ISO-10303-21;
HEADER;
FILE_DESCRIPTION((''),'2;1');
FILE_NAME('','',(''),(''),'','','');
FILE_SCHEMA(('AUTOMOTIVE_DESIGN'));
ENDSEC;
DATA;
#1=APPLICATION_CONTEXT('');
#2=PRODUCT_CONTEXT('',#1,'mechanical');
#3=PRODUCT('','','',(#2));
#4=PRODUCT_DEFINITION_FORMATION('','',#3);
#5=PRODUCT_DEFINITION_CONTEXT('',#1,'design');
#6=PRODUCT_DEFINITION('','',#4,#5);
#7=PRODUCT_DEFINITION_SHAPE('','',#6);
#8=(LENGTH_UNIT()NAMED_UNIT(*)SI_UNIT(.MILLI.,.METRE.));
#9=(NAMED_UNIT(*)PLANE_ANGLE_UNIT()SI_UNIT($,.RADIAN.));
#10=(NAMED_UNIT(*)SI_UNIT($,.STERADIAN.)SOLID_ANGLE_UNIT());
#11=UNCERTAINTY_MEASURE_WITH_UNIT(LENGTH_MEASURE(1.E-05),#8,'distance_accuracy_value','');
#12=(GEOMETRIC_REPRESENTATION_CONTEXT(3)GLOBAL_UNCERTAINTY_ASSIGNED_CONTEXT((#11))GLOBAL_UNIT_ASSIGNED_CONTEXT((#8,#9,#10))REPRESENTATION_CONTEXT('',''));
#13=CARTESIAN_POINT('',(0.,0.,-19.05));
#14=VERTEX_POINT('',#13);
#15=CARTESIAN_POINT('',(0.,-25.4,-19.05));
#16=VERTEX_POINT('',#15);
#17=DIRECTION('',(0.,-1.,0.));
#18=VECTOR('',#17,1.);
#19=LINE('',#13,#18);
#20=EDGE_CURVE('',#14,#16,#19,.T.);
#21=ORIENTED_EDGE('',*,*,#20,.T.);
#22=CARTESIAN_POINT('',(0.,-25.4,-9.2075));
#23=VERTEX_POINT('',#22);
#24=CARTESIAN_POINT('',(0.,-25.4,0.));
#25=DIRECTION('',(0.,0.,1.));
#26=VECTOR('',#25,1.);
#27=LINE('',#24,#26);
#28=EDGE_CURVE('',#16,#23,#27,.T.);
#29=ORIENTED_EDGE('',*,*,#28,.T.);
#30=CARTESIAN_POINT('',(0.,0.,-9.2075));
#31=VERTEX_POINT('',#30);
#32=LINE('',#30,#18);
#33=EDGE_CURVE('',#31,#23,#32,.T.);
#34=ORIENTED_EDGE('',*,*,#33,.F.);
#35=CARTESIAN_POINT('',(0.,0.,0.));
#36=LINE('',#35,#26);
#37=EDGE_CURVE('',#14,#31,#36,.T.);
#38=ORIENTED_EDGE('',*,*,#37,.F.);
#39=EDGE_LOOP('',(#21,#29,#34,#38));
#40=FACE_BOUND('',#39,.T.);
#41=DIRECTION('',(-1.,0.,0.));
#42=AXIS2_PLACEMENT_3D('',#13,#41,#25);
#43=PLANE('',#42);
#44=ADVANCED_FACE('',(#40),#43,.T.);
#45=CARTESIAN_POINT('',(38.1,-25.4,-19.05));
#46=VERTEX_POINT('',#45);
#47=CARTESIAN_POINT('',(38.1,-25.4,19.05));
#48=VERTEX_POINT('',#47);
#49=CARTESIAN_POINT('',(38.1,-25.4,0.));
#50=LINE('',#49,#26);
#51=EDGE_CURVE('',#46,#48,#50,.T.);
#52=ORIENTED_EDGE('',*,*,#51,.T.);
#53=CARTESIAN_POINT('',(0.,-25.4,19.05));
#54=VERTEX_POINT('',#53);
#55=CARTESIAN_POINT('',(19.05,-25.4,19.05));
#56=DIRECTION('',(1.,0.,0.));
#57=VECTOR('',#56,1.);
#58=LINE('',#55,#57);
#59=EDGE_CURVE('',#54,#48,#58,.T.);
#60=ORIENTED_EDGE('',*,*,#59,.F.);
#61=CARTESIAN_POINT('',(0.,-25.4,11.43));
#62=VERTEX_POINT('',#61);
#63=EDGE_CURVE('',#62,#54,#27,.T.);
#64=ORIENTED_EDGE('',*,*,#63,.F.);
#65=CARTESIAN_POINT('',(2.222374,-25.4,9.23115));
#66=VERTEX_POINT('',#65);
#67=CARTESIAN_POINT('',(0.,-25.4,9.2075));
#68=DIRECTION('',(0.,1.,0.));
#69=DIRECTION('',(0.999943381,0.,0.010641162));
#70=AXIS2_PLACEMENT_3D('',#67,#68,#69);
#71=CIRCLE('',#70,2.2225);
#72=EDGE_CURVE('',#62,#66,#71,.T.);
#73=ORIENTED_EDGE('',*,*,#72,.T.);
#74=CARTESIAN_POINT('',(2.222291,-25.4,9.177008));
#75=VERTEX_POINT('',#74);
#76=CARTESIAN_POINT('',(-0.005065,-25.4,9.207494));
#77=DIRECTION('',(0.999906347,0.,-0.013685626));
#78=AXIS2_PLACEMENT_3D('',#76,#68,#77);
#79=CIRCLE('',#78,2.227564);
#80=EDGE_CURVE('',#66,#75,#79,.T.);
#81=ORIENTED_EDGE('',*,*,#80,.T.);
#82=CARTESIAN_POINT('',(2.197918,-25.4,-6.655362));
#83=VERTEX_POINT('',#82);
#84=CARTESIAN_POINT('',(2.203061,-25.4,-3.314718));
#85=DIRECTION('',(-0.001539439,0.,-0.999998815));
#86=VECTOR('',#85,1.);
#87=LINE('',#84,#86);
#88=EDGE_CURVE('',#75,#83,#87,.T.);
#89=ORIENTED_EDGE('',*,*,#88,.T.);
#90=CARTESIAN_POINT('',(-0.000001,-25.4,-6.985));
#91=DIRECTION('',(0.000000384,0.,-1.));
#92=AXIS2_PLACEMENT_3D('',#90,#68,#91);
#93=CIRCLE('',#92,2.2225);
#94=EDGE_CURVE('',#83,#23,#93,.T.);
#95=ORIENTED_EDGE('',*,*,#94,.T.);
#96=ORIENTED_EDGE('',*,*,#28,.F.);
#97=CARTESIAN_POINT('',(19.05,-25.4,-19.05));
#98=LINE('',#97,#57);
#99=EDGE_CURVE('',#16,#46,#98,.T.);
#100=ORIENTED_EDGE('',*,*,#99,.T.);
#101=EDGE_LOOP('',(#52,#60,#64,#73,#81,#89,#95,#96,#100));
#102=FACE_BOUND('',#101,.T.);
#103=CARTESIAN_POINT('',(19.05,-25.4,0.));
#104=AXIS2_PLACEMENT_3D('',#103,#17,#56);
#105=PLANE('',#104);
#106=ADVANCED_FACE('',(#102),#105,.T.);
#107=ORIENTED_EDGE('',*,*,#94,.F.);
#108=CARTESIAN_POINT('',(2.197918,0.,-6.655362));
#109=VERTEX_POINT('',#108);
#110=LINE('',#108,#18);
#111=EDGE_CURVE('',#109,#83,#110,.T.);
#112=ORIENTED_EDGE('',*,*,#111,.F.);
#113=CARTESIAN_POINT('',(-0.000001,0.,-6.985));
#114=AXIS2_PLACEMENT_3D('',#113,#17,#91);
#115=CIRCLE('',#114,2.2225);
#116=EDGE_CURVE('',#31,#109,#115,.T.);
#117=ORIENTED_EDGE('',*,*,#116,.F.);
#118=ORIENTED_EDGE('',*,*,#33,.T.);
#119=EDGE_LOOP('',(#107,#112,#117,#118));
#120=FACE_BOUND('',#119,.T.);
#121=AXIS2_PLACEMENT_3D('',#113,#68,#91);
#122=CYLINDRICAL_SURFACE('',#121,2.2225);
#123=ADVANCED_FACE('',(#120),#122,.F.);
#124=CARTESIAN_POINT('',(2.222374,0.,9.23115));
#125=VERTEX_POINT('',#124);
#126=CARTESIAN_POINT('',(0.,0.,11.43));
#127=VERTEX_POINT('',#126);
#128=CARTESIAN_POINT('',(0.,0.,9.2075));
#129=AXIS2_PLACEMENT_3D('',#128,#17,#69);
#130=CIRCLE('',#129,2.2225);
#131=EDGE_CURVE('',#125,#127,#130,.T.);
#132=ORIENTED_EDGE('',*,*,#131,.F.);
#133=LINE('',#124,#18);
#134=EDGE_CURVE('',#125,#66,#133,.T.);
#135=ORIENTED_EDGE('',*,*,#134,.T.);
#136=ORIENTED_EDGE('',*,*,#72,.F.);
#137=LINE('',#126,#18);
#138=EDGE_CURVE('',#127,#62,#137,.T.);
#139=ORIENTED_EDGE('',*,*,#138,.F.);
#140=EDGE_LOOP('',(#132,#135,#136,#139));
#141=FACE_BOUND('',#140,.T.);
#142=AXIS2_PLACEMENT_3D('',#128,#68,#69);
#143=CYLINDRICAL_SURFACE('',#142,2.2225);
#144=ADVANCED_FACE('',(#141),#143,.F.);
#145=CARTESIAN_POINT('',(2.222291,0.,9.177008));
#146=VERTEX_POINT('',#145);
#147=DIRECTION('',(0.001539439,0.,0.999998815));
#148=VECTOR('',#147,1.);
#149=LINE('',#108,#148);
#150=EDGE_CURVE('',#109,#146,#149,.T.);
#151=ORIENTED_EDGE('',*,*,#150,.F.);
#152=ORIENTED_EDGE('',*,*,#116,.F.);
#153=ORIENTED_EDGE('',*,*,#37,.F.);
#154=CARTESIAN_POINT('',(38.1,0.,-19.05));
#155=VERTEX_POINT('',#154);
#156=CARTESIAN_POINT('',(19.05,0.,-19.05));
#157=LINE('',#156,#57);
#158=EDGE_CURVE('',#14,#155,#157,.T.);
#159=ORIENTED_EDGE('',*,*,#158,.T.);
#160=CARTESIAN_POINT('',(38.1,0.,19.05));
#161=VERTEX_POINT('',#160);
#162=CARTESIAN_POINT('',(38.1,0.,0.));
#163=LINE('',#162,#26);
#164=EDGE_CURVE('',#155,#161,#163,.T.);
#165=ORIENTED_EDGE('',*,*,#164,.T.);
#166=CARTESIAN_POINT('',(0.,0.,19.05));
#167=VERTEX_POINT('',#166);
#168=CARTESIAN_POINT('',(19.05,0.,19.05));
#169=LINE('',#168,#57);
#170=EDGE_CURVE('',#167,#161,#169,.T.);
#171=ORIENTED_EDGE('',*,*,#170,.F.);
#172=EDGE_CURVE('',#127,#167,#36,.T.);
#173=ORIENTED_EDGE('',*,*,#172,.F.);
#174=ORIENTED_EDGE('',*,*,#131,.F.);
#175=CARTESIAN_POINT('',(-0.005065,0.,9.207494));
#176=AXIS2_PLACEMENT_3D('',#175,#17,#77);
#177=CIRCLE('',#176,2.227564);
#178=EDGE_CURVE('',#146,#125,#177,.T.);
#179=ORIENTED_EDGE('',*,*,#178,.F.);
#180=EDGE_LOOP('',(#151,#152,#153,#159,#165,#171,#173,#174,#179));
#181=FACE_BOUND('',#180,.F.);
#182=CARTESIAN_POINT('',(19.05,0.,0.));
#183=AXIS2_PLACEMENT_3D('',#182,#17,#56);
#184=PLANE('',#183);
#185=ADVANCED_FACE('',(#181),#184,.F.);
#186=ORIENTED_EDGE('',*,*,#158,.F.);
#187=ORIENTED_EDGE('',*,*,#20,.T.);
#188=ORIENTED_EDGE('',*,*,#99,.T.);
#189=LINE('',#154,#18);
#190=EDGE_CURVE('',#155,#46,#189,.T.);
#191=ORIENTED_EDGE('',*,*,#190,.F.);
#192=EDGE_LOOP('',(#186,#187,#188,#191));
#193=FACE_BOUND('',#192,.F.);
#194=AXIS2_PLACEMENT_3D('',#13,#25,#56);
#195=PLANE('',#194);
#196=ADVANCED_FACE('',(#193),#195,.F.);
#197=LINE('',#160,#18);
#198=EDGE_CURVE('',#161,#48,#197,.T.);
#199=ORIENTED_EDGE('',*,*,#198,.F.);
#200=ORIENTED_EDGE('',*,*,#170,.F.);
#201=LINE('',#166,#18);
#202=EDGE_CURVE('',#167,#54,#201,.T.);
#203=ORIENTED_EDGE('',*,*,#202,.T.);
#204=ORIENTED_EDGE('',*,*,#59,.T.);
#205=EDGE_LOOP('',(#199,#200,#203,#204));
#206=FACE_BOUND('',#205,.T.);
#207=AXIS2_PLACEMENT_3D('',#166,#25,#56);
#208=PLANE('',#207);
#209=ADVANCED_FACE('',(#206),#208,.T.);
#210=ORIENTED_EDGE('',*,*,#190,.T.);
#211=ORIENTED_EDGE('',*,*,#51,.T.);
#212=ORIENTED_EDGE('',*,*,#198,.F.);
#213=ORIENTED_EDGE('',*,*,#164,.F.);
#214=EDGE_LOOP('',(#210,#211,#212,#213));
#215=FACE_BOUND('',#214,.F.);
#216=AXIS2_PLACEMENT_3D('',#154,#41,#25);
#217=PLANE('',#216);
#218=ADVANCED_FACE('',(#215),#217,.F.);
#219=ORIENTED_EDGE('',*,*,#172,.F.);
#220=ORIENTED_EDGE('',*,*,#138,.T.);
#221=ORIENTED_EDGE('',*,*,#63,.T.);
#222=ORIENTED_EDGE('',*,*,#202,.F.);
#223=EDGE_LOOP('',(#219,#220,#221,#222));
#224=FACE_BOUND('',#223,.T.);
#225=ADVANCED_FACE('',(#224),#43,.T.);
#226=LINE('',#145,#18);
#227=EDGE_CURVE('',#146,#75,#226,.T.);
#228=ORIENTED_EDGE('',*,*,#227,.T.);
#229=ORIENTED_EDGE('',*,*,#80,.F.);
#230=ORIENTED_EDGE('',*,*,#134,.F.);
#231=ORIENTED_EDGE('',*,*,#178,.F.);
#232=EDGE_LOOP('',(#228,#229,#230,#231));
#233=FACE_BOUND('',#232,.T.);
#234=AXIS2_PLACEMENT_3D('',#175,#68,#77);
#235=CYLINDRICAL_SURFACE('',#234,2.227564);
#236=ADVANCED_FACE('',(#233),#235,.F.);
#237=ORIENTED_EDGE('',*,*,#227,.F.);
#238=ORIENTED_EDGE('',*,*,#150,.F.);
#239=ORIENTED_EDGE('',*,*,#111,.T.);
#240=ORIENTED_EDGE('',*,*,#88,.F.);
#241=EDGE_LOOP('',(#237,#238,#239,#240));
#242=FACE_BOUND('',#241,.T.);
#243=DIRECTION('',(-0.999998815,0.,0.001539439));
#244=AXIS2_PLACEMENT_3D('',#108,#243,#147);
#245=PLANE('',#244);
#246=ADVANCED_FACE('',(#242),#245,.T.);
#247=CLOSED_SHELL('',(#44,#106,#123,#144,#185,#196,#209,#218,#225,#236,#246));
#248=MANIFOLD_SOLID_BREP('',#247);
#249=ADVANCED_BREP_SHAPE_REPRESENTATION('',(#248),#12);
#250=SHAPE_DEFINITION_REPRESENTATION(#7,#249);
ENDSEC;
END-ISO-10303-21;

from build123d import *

# Parameters (mm, degrees)
F0_W     = 38.1
F0_H     = 38.1
F1_DEPTH = 25.4
F3_DEPTH = 25.401


with BuildPart() as f1:
    # F0 (on Front) → F1 (new body)
    with BuildSketch(Plane.XZ):
        with Locations((19.05, 0)):
            Rectangle(F0_W, F0_H)
    extrude(amount=F1_DEPTH)

    # F2 (on Front) → F3 (cut, through all)
    with BuildSketch(Plane.XZ):
        with BuildLine():
            Line((2.222374, 9.23115), (2.222291, 9.177008))
            ThreePointArc((2.222291, 9.177008), (2.222497, 9.204079), (2.222374, 9.23115))
        make_face()
        with BuildLine():
            Line((2.197918, -6.655362), (2.222291, 9.177008))
            Line((2.222291, 9.177008), (2.222374, 9.23115))
            ThreePointArc((2.222374, 9.23115), (1.563161, 10.787384), (0, 11.43))
            Line((0, 11.43), (0, -9.2075))
            ThreePointArc((0, -9.2075), (1.684061, -8.435325), (2.197918, -6.655362))
        make_face()
    extrude(amount=F3_DEPTH, mode=Mode.SUBTRACT)


solid = f1.part
